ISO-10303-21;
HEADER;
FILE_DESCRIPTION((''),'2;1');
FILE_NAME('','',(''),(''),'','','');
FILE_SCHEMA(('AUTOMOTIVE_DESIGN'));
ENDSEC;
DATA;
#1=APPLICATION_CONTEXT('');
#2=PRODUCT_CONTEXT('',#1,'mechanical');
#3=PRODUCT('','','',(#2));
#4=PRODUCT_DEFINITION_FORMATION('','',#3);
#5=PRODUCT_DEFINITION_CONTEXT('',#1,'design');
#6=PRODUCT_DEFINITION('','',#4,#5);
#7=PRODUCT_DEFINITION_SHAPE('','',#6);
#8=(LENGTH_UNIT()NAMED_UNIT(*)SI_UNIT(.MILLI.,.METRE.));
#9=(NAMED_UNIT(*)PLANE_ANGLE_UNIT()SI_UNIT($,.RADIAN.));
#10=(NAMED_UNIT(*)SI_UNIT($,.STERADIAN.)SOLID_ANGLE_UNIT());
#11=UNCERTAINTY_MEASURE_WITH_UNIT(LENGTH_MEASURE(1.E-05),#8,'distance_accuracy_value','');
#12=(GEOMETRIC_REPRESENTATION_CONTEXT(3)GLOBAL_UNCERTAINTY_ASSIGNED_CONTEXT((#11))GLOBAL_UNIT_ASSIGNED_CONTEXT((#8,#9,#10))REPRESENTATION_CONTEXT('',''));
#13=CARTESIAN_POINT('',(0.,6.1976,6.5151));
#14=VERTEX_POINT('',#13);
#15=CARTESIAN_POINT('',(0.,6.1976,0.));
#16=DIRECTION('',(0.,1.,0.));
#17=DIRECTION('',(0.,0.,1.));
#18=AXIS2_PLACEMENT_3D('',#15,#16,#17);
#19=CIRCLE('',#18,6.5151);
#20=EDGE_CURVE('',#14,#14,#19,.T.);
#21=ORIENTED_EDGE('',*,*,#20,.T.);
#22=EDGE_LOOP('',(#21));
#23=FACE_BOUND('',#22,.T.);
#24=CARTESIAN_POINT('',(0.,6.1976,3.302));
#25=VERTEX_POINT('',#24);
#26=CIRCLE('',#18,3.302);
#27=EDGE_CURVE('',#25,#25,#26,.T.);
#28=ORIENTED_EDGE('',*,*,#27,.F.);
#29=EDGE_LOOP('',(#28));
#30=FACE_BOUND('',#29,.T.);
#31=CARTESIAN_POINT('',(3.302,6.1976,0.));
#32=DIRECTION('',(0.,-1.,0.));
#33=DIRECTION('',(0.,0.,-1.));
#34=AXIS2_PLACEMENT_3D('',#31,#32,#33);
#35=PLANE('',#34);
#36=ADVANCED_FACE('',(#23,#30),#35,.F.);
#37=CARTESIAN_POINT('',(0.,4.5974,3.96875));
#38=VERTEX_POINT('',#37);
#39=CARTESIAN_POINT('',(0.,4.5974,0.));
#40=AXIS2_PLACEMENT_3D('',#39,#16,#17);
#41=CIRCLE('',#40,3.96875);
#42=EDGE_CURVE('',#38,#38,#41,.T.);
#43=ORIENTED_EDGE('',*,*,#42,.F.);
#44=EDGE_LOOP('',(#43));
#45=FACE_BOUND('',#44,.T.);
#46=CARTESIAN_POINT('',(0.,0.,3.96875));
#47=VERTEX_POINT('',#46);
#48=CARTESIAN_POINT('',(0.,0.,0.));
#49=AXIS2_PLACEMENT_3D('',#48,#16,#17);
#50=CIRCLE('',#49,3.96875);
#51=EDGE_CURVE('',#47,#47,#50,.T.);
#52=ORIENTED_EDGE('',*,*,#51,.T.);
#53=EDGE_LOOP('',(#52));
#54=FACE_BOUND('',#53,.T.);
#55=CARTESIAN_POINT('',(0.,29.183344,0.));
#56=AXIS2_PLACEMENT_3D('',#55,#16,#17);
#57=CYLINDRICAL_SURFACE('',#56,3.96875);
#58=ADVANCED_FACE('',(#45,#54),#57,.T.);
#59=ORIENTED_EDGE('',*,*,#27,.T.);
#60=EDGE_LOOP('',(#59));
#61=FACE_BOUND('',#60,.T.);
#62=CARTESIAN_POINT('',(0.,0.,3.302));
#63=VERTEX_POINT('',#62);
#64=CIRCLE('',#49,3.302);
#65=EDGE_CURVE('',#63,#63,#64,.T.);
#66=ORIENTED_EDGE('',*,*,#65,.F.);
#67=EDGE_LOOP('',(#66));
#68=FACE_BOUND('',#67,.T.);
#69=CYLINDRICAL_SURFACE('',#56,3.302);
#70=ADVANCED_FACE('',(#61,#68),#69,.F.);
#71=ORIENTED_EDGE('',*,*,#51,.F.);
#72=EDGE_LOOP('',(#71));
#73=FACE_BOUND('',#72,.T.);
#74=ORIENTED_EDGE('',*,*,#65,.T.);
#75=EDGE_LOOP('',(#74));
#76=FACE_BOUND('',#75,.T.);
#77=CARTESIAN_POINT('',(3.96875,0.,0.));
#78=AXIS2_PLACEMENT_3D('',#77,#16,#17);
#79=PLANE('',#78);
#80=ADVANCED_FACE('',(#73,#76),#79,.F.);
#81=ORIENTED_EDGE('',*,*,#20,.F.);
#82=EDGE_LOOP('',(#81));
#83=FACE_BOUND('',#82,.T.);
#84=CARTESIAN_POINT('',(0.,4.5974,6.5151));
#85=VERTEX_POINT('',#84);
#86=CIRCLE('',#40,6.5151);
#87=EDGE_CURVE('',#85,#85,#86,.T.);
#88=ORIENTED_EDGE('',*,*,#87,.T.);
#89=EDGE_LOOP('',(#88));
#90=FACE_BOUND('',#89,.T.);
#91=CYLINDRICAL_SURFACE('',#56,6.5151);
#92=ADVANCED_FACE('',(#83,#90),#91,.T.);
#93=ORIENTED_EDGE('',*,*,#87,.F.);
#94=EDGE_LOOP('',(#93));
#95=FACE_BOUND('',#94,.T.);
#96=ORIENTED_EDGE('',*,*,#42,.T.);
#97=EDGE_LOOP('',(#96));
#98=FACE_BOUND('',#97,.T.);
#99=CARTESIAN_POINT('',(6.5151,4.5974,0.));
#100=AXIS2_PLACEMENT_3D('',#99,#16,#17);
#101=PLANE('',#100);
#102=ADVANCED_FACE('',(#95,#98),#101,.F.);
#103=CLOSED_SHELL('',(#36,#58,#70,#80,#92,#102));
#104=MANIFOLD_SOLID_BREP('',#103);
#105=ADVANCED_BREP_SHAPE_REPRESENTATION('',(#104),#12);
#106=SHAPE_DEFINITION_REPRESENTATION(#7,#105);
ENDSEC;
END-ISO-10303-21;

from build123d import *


with BuildPart() as part:
    # Sketch1 → Revolve1 (revolve)
    with BuildSketch(Plane.XY):
        Polygon((3.302, 0), (3.302, 6.1976), (6.5151, 6.1976), (6.5151, 4.5974), (3.96875, 4.5974), (3.96875, 0), align=None)
    revolve(axis=Axis((0, 29.183344121, 0), (0, -1, 0)))


solid = part.part
